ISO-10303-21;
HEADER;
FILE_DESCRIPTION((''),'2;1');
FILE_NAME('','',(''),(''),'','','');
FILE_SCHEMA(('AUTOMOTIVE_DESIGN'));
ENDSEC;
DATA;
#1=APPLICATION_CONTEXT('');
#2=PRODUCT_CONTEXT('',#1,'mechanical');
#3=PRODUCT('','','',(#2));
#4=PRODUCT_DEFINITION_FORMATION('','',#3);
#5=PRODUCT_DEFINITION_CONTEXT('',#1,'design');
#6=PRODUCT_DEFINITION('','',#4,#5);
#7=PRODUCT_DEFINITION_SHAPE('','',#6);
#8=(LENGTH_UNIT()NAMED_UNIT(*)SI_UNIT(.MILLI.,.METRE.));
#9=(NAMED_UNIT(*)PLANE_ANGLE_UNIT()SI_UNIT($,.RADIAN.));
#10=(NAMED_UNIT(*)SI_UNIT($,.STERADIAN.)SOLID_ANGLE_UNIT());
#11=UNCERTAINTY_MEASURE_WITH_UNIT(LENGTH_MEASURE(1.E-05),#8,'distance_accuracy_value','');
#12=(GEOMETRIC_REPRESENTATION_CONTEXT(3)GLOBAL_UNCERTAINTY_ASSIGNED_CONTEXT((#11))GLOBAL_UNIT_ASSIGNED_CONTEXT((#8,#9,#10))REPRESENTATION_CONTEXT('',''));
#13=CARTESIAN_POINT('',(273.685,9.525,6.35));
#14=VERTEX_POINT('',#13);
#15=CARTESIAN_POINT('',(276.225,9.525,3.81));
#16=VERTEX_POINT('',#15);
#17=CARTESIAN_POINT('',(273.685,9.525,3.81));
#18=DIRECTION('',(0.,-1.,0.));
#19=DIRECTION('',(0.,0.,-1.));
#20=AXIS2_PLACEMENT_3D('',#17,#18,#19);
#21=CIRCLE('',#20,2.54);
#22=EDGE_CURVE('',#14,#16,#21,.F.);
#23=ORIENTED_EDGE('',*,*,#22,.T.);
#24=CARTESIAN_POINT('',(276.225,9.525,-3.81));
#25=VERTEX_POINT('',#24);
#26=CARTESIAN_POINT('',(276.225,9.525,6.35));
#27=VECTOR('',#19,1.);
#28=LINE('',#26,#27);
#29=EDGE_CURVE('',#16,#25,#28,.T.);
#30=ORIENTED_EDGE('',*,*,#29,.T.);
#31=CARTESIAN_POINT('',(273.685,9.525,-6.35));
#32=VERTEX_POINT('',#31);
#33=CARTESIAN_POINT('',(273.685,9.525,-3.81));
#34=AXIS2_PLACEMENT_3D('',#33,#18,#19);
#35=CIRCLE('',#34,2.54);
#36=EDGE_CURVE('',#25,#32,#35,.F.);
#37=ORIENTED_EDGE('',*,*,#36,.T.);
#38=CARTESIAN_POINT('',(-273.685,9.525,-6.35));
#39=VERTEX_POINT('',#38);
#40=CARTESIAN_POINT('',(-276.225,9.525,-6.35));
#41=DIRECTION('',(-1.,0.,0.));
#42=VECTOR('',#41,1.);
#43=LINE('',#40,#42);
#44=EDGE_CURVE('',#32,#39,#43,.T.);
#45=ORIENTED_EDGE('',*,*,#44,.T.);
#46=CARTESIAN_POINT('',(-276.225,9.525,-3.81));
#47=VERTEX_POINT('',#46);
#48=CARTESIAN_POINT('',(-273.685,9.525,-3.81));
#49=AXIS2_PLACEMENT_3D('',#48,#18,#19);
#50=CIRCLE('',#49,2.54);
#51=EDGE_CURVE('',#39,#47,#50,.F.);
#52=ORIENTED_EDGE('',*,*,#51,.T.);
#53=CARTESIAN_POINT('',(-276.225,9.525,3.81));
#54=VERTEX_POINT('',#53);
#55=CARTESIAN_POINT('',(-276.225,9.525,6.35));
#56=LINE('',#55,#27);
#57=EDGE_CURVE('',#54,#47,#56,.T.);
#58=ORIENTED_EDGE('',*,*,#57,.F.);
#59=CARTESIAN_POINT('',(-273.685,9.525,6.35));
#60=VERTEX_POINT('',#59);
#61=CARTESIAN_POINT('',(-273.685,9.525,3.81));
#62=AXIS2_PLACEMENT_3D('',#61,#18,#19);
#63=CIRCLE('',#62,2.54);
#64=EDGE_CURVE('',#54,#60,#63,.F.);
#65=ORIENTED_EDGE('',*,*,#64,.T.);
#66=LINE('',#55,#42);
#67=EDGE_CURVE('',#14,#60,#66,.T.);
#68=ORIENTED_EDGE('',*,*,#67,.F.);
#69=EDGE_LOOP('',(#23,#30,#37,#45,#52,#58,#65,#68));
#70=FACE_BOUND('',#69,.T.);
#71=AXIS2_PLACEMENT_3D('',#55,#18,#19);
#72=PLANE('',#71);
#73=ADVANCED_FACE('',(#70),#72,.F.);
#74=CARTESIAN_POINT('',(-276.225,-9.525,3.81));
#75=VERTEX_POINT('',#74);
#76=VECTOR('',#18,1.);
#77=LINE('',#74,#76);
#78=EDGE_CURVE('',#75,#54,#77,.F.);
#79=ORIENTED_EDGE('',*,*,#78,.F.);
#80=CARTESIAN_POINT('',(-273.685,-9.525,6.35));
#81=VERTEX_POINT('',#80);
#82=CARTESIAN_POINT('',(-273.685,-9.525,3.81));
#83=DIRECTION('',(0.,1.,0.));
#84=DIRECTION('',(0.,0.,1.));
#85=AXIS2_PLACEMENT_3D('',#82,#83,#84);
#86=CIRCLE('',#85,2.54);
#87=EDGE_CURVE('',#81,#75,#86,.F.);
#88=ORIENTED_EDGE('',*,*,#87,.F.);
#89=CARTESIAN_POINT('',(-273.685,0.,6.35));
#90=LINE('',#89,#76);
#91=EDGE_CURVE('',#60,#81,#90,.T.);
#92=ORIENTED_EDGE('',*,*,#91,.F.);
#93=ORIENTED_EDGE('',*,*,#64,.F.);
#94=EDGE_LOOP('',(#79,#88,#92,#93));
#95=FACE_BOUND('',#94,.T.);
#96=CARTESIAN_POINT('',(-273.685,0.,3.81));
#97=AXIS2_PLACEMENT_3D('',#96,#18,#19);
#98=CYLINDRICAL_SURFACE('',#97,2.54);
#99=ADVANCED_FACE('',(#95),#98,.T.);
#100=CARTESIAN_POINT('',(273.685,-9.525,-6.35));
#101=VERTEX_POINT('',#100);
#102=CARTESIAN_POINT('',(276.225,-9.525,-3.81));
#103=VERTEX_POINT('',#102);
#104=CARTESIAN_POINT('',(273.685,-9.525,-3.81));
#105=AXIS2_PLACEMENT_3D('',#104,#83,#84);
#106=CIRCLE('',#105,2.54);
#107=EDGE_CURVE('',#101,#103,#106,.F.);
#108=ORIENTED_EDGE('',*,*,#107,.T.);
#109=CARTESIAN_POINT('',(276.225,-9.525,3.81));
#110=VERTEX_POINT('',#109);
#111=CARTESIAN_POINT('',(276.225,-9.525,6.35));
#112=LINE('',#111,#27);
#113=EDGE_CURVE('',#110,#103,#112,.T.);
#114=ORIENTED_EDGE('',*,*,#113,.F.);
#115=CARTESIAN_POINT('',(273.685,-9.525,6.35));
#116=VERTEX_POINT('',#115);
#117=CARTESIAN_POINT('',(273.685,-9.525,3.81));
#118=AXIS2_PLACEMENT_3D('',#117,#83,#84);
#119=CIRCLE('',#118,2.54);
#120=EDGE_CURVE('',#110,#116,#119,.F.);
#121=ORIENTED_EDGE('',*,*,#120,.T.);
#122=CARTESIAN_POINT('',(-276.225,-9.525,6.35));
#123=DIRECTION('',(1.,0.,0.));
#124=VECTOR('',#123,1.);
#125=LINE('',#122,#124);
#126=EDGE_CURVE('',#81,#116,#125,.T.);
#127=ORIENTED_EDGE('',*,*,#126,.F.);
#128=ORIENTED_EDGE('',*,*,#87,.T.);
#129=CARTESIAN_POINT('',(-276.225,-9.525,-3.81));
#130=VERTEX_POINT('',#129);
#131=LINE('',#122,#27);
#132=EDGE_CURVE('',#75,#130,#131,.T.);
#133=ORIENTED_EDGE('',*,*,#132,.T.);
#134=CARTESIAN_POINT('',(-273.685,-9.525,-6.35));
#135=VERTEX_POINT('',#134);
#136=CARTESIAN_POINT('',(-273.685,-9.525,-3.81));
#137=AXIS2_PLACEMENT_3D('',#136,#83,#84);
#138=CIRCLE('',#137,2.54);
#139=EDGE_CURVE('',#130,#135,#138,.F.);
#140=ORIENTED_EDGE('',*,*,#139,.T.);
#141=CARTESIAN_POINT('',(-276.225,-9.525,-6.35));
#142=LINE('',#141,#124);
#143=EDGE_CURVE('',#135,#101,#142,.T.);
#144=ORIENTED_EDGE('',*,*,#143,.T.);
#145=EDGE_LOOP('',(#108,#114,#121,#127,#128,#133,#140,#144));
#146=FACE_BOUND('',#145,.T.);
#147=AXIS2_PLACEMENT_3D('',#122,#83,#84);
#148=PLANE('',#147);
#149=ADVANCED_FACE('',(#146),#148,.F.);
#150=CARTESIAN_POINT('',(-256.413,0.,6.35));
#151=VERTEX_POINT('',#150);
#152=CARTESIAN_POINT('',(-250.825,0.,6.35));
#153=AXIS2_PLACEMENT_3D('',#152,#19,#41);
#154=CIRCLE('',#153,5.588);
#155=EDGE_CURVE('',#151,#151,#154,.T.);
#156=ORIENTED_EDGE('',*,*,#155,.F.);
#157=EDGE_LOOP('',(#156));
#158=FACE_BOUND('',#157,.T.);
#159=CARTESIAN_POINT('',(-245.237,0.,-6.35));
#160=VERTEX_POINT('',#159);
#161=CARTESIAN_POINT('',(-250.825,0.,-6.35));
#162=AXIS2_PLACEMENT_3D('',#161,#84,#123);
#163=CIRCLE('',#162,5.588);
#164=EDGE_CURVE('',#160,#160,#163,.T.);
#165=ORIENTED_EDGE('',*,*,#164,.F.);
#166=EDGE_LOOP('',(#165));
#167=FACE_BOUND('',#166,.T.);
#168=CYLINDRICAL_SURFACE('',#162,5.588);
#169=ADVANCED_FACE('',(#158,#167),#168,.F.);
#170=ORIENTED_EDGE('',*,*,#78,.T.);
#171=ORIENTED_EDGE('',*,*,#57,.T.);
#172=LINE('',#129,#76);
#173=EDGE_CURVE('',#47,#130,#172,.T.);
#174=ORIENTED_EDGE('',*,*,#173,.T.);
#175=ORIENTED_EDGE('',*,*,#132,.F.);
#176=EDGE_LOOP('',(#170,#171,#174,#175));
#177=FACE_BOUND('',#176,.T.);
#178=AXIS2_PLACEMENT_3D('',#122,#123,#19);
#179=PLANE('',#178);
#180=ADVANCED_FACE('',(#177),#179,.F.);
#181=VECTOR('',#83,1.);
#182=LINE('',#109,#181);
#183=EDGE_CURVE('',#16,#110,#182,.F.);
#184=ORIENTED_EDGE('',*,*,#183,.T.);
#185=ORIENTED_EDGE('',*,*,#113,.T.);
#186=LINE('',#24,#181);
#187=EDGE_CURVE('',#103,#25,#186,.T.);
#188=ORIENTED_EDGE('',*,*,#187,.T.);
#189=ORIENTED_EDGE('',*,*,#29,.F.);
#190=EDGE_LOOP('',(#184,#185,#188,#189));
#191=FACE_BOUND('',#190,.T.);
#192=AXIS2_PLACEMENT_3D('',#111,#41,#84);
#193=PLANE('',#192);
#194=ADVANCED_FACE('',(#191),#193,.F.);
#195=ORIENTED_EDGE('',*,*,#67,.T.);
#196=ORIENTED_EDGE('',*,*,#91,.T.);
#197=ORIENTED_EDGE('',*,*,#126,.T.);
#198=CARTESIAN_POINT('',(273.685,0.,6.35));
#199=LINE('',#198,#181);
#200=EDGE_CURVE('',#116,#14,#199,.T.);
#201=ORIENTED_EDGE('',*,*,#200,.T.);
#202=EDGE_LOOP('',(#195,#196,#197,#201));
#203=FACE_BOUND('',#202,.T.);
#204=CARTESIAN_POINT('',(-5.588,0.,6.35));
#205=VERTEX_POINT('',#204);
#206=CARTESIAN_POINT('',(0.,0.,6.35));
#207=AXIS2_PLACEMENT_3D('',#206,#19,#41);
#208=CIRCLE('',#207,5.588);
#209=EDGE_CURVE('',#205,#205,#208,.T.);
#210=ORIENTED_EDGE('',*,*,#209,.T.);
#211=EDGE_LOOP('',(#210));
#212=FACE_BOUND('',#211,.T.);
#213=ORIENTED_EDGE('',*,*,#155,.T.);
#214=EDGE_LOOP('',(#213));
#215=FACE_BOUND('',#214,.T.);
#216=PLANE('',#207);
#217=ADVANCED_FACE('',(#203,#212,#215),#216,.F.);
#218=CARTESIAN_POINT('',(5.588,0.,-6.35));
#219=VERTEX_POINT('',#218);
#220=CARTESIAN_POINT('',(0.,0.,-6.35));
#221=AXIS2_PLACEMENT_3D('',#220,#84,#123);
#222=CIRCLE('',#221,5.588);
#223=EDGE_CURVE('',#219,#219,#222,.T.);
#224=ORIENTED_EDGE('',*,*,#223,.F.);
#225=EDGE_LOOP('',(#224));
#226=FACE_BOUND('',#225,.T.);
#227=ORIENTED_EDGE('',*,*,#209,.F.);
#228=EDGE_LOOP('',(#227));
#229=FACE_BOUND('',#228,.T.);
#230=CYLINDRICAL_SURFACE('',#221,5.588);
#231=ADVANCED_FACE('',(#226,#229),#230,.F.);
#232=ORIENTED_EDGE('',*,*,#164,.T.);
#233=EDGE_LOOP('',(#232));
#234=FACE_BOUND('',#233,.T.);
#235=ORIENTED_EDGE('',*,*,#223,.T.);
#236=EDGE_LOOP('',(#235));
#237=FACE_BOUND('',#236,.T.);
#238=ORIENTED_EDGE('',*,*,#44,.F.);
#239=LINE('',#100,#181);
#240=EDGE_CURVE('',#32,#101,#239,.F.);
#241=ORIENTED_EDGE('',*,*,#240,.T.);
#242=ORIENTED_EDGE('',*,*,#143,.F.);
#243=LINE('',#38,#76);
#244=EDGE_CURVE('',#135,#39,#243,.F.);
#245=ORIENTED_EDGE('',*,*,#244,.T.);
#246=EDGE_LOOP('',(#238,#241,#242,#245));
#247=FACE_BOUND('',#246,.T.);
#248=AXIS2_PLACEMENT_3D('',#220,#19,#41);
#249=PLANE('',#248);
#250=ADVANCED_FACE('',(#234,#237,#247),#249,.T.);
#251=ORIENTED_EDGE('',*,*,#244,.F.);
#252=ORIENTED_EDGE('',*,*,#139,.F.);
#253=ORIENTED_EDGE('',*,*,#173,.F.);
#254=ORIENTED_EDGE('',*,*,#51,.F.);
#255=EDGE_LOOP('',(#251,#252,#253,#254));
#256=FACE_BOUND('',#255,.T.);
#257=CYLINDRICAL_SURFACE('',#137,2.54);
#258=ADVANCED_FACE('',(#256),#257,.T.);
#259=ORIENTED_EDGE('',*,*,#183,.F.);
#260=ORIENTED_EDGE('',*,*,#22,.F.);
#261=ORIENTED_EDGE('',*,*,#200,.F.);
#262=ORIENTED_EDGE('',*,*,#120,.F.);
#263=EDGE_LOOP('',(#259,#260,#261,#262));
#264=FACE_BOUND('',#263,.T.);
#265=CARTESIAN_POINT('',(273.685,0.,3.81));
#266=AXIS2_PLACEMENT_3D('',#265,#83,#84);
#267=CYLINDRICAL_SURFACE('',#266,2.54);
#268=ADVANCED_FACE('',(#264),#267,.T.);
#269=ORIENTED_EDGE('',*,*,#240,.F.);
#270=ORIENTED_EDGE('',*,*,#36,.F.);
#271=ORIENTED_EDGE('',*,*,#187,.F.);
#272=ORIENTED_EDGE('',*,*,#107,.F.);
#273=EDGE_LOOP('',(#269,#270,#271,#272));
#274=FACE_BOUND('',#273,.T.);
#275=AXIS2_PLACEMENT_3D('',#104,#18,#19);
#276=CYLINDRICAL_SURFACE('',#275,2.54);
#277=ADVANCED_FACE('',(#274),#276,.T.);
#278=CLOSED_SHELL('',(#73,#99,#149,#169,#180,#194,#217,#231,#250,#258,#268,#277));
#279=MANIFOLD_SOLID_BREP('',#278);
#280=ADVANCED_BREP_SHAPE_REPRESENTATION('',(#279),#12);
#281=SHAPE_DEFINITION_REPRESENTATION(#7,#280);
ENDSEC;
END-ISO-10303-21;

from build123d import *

# Parameters (mm, degrees)
SKETCH1_W               = 552.45
SKETCH1_H               = 19.05
BOSS_EXTRUDE1_DEPTH     = 6.35
CUT_EXTRUDE1_DEPTH      = 277.680802099
CUT_EXTRUDE1_DEPTH_BACK = 277.680802099
SKETCH2_R               = 5.588
FILLET1_R               = 2.54


with BuildPart() as part:
    # Sketch1 → Boss-Extrude1 (new, symmetric)
    with BuildSketch(Plane.XY):
        Rectangle(SKETCH1_W, SKETCH1_H)
    extrude(amount=BOSS_EXTRUDE1_DEPTH, both=True)

    # Sketch2 → Cut-Extrude1 (cut, two sides: drawn at the far end of the back side and taken through both)
    with BuildSketch(Plane.XY.offset(6.35).offset(-CUT_EXTRUDE1_DEPTH_BACK)):
        Circle(SKETCH2_R)
        with Locations((-250.825, 0)):
            Circle(SKETCH2_R)
    extrude(amount=CUT_EXTRUDE1_DEPTH + CUT_EXTRUDE1_DEPTH_BACK, mode=Mode.SUBTRACT)

    # Fillet1
    fillet1_edges = [part.edges().sort_by_distance(p)[0] for p in [
        (-276.225, 0, 6.35),
        (276.225, 0, 6.35),
        (-276.225, 0, -6.35),
        (276.225, 0, -6.35),
    ]]
    fillet(fillet1_edges, radius=FILLET1_R)


solid = part.part
